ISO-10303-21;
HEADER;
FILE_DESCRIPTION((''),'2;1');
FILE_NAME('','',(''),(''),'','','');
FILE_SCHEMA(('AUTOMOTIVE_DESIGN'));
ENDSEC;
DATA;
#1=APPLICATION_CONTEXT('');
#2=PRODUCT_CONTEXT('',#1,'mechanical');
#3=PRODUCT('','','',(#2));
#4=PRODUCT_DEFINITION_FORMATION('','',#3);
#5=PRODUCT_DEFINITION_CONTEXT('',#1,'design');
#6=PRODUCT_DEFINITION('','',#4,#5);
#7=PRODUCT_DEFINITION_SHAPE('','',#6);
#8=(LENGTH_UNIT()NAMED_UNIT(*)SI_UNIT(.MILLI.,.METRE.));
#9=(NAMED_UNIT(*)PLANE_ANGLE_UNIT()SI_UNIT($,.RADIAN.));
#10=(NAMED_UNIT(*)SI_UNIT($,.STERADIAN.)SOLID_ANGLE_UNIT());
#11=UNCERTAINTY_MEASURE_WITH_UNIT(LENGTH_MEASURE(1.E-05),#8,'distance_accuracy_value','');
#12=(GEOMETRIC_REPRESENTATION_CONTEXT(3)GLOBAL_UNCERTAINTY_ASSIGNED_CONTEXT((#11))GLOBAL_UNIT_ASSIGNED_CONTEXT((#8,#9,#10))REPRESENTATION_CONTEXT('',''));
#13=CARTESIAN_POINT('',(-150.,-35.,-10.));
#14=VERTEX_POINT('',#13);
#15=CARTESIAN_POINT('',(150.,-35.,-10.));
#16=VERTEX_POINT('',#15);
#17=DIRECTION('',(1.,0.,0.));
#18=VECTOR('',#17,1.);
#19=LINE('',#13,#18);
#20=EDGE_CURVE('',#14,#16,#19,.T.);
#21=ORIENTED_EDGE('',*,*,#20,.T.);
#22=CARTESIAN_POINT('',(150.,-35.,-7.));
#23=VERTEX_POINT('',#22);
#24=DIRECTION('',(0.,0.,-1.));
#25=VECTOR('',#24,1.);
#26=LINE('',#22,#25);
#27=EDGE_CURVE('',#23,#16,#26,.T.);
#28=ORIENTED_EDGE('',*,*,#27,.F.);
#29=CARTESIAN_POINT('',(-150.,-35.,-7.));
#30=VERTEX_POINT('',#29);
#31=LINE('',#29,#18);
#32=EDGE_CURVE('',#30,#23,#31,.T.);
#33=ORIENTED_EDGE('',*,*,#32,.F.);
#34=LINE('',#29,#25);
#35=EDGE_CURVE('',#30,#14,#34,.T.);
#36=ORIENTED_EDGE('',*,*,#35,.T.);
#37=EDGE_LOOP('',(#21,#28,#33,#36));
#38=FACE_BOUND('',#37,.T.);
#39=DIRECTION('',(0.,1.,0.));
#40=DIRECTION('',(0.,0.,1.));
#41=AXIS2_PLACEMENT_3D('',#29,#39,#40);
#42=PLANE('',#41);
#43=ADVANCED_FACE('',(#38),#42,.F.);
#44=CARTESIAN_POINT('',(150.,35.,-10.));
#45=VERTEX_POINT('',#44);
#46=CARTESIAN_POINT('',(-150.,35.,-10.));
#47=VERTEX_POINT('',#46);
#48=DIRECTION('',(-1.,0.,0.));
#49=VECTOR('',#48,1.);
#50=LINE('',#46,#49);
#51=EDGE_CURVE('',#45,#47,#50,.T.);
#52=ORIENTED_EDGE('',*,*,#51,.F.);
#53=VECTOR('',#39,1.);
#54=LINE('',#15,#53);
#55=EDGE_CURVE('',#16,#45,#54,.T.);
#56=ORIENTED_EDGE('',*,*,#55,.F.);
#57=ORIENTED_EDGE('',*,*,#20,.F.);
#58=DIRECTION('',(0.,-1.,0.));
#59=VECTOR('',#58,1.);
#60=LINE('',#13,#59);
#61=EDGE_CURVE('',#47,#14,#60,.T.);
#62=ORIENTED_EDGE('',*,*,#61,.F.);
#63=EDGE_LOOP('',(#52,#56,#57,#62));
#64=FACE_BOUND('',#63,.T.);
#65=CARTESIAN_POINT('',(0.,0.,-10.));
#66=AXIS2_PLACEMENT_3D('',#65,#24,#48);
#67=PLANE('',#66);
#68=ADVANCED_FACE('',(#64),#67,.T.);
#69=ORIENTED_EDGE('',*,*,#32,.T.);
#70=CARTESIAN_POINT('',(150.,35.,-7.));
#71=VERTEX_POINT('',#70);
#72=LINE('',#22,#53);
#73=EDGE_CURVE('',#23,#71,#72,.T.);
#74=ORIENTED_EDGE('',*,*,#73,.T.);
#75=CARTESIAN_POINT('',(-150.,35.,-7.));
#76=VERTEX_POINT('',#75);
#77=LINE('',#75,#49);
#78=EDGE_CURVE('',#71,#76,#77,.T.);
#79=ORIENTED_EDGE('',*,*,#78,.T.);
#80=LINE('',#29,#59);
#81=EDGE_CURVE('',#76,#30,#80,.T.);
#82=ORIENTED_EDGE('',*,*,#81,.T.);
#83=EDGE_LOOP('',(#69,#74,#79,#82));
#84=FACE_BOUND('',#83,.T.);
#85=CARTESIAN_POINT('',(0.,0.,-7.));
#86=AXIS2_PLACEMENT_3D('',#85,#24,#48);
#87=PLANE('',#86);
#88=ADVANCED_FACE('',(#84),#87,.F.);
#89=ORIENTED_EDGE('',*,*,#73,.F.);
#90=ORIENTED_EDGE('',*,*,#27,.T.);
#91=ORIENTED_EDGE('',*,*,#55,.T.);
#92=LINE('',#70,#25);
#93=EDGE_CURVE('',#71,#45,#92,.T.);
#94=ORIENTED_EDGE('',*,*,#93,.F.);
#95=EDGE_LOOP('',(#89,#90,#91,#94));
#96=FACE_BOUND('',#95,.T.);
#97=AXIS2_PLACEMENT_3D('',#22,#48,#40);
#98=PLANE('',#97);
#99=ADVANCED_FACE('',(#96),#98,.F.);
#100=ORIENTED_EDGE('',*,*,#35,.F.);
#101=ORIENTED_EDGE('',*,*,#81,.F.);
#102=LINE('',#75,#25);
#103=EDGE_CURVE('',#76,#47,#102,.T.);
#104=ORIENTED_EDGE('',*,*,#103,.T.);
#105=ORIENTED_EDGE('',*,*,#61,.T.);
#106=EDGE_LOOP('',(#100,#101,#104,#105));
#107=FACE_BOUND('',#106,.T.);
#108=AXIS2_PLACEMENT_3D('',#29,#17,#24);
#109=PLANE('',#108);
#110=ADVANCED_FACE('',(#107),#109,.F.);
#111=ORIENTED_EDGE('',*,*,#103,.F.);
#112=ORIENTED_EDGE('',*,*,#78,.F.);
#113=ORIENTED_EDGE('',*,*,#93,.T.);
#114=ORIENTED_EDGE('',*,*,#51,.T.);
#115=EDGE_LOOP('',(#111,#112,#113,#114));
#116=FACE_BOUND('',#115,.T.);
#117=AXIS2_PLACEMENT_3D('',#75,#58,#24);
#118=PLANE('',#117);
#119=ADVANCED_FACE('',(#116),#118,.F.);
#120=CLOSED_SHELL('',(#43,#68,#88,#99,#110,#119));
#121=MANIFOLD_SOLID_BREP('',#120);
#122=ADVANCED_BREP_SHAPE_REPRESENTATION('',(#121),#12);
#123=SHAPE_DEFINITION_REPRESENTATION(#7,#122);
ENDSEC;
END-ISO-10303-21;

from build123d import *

# Parameters (mm, degrees)
SKETCH_2_W      = 300
SKETCH_2_H      = 70
EXTRUDE_1_DEPTH = 3


with BuildPart() as part:
    # Эскиз2 → Бобышка-Вытянуть1 (new body)
    with BuildSketch(Plane.XY.offset(-10)):
        Rectangle(SKETCH_2_W, SKETCH_2_H)
    extrude(amount=EXTRUDE_1_DEPTH)


solid = part.part
